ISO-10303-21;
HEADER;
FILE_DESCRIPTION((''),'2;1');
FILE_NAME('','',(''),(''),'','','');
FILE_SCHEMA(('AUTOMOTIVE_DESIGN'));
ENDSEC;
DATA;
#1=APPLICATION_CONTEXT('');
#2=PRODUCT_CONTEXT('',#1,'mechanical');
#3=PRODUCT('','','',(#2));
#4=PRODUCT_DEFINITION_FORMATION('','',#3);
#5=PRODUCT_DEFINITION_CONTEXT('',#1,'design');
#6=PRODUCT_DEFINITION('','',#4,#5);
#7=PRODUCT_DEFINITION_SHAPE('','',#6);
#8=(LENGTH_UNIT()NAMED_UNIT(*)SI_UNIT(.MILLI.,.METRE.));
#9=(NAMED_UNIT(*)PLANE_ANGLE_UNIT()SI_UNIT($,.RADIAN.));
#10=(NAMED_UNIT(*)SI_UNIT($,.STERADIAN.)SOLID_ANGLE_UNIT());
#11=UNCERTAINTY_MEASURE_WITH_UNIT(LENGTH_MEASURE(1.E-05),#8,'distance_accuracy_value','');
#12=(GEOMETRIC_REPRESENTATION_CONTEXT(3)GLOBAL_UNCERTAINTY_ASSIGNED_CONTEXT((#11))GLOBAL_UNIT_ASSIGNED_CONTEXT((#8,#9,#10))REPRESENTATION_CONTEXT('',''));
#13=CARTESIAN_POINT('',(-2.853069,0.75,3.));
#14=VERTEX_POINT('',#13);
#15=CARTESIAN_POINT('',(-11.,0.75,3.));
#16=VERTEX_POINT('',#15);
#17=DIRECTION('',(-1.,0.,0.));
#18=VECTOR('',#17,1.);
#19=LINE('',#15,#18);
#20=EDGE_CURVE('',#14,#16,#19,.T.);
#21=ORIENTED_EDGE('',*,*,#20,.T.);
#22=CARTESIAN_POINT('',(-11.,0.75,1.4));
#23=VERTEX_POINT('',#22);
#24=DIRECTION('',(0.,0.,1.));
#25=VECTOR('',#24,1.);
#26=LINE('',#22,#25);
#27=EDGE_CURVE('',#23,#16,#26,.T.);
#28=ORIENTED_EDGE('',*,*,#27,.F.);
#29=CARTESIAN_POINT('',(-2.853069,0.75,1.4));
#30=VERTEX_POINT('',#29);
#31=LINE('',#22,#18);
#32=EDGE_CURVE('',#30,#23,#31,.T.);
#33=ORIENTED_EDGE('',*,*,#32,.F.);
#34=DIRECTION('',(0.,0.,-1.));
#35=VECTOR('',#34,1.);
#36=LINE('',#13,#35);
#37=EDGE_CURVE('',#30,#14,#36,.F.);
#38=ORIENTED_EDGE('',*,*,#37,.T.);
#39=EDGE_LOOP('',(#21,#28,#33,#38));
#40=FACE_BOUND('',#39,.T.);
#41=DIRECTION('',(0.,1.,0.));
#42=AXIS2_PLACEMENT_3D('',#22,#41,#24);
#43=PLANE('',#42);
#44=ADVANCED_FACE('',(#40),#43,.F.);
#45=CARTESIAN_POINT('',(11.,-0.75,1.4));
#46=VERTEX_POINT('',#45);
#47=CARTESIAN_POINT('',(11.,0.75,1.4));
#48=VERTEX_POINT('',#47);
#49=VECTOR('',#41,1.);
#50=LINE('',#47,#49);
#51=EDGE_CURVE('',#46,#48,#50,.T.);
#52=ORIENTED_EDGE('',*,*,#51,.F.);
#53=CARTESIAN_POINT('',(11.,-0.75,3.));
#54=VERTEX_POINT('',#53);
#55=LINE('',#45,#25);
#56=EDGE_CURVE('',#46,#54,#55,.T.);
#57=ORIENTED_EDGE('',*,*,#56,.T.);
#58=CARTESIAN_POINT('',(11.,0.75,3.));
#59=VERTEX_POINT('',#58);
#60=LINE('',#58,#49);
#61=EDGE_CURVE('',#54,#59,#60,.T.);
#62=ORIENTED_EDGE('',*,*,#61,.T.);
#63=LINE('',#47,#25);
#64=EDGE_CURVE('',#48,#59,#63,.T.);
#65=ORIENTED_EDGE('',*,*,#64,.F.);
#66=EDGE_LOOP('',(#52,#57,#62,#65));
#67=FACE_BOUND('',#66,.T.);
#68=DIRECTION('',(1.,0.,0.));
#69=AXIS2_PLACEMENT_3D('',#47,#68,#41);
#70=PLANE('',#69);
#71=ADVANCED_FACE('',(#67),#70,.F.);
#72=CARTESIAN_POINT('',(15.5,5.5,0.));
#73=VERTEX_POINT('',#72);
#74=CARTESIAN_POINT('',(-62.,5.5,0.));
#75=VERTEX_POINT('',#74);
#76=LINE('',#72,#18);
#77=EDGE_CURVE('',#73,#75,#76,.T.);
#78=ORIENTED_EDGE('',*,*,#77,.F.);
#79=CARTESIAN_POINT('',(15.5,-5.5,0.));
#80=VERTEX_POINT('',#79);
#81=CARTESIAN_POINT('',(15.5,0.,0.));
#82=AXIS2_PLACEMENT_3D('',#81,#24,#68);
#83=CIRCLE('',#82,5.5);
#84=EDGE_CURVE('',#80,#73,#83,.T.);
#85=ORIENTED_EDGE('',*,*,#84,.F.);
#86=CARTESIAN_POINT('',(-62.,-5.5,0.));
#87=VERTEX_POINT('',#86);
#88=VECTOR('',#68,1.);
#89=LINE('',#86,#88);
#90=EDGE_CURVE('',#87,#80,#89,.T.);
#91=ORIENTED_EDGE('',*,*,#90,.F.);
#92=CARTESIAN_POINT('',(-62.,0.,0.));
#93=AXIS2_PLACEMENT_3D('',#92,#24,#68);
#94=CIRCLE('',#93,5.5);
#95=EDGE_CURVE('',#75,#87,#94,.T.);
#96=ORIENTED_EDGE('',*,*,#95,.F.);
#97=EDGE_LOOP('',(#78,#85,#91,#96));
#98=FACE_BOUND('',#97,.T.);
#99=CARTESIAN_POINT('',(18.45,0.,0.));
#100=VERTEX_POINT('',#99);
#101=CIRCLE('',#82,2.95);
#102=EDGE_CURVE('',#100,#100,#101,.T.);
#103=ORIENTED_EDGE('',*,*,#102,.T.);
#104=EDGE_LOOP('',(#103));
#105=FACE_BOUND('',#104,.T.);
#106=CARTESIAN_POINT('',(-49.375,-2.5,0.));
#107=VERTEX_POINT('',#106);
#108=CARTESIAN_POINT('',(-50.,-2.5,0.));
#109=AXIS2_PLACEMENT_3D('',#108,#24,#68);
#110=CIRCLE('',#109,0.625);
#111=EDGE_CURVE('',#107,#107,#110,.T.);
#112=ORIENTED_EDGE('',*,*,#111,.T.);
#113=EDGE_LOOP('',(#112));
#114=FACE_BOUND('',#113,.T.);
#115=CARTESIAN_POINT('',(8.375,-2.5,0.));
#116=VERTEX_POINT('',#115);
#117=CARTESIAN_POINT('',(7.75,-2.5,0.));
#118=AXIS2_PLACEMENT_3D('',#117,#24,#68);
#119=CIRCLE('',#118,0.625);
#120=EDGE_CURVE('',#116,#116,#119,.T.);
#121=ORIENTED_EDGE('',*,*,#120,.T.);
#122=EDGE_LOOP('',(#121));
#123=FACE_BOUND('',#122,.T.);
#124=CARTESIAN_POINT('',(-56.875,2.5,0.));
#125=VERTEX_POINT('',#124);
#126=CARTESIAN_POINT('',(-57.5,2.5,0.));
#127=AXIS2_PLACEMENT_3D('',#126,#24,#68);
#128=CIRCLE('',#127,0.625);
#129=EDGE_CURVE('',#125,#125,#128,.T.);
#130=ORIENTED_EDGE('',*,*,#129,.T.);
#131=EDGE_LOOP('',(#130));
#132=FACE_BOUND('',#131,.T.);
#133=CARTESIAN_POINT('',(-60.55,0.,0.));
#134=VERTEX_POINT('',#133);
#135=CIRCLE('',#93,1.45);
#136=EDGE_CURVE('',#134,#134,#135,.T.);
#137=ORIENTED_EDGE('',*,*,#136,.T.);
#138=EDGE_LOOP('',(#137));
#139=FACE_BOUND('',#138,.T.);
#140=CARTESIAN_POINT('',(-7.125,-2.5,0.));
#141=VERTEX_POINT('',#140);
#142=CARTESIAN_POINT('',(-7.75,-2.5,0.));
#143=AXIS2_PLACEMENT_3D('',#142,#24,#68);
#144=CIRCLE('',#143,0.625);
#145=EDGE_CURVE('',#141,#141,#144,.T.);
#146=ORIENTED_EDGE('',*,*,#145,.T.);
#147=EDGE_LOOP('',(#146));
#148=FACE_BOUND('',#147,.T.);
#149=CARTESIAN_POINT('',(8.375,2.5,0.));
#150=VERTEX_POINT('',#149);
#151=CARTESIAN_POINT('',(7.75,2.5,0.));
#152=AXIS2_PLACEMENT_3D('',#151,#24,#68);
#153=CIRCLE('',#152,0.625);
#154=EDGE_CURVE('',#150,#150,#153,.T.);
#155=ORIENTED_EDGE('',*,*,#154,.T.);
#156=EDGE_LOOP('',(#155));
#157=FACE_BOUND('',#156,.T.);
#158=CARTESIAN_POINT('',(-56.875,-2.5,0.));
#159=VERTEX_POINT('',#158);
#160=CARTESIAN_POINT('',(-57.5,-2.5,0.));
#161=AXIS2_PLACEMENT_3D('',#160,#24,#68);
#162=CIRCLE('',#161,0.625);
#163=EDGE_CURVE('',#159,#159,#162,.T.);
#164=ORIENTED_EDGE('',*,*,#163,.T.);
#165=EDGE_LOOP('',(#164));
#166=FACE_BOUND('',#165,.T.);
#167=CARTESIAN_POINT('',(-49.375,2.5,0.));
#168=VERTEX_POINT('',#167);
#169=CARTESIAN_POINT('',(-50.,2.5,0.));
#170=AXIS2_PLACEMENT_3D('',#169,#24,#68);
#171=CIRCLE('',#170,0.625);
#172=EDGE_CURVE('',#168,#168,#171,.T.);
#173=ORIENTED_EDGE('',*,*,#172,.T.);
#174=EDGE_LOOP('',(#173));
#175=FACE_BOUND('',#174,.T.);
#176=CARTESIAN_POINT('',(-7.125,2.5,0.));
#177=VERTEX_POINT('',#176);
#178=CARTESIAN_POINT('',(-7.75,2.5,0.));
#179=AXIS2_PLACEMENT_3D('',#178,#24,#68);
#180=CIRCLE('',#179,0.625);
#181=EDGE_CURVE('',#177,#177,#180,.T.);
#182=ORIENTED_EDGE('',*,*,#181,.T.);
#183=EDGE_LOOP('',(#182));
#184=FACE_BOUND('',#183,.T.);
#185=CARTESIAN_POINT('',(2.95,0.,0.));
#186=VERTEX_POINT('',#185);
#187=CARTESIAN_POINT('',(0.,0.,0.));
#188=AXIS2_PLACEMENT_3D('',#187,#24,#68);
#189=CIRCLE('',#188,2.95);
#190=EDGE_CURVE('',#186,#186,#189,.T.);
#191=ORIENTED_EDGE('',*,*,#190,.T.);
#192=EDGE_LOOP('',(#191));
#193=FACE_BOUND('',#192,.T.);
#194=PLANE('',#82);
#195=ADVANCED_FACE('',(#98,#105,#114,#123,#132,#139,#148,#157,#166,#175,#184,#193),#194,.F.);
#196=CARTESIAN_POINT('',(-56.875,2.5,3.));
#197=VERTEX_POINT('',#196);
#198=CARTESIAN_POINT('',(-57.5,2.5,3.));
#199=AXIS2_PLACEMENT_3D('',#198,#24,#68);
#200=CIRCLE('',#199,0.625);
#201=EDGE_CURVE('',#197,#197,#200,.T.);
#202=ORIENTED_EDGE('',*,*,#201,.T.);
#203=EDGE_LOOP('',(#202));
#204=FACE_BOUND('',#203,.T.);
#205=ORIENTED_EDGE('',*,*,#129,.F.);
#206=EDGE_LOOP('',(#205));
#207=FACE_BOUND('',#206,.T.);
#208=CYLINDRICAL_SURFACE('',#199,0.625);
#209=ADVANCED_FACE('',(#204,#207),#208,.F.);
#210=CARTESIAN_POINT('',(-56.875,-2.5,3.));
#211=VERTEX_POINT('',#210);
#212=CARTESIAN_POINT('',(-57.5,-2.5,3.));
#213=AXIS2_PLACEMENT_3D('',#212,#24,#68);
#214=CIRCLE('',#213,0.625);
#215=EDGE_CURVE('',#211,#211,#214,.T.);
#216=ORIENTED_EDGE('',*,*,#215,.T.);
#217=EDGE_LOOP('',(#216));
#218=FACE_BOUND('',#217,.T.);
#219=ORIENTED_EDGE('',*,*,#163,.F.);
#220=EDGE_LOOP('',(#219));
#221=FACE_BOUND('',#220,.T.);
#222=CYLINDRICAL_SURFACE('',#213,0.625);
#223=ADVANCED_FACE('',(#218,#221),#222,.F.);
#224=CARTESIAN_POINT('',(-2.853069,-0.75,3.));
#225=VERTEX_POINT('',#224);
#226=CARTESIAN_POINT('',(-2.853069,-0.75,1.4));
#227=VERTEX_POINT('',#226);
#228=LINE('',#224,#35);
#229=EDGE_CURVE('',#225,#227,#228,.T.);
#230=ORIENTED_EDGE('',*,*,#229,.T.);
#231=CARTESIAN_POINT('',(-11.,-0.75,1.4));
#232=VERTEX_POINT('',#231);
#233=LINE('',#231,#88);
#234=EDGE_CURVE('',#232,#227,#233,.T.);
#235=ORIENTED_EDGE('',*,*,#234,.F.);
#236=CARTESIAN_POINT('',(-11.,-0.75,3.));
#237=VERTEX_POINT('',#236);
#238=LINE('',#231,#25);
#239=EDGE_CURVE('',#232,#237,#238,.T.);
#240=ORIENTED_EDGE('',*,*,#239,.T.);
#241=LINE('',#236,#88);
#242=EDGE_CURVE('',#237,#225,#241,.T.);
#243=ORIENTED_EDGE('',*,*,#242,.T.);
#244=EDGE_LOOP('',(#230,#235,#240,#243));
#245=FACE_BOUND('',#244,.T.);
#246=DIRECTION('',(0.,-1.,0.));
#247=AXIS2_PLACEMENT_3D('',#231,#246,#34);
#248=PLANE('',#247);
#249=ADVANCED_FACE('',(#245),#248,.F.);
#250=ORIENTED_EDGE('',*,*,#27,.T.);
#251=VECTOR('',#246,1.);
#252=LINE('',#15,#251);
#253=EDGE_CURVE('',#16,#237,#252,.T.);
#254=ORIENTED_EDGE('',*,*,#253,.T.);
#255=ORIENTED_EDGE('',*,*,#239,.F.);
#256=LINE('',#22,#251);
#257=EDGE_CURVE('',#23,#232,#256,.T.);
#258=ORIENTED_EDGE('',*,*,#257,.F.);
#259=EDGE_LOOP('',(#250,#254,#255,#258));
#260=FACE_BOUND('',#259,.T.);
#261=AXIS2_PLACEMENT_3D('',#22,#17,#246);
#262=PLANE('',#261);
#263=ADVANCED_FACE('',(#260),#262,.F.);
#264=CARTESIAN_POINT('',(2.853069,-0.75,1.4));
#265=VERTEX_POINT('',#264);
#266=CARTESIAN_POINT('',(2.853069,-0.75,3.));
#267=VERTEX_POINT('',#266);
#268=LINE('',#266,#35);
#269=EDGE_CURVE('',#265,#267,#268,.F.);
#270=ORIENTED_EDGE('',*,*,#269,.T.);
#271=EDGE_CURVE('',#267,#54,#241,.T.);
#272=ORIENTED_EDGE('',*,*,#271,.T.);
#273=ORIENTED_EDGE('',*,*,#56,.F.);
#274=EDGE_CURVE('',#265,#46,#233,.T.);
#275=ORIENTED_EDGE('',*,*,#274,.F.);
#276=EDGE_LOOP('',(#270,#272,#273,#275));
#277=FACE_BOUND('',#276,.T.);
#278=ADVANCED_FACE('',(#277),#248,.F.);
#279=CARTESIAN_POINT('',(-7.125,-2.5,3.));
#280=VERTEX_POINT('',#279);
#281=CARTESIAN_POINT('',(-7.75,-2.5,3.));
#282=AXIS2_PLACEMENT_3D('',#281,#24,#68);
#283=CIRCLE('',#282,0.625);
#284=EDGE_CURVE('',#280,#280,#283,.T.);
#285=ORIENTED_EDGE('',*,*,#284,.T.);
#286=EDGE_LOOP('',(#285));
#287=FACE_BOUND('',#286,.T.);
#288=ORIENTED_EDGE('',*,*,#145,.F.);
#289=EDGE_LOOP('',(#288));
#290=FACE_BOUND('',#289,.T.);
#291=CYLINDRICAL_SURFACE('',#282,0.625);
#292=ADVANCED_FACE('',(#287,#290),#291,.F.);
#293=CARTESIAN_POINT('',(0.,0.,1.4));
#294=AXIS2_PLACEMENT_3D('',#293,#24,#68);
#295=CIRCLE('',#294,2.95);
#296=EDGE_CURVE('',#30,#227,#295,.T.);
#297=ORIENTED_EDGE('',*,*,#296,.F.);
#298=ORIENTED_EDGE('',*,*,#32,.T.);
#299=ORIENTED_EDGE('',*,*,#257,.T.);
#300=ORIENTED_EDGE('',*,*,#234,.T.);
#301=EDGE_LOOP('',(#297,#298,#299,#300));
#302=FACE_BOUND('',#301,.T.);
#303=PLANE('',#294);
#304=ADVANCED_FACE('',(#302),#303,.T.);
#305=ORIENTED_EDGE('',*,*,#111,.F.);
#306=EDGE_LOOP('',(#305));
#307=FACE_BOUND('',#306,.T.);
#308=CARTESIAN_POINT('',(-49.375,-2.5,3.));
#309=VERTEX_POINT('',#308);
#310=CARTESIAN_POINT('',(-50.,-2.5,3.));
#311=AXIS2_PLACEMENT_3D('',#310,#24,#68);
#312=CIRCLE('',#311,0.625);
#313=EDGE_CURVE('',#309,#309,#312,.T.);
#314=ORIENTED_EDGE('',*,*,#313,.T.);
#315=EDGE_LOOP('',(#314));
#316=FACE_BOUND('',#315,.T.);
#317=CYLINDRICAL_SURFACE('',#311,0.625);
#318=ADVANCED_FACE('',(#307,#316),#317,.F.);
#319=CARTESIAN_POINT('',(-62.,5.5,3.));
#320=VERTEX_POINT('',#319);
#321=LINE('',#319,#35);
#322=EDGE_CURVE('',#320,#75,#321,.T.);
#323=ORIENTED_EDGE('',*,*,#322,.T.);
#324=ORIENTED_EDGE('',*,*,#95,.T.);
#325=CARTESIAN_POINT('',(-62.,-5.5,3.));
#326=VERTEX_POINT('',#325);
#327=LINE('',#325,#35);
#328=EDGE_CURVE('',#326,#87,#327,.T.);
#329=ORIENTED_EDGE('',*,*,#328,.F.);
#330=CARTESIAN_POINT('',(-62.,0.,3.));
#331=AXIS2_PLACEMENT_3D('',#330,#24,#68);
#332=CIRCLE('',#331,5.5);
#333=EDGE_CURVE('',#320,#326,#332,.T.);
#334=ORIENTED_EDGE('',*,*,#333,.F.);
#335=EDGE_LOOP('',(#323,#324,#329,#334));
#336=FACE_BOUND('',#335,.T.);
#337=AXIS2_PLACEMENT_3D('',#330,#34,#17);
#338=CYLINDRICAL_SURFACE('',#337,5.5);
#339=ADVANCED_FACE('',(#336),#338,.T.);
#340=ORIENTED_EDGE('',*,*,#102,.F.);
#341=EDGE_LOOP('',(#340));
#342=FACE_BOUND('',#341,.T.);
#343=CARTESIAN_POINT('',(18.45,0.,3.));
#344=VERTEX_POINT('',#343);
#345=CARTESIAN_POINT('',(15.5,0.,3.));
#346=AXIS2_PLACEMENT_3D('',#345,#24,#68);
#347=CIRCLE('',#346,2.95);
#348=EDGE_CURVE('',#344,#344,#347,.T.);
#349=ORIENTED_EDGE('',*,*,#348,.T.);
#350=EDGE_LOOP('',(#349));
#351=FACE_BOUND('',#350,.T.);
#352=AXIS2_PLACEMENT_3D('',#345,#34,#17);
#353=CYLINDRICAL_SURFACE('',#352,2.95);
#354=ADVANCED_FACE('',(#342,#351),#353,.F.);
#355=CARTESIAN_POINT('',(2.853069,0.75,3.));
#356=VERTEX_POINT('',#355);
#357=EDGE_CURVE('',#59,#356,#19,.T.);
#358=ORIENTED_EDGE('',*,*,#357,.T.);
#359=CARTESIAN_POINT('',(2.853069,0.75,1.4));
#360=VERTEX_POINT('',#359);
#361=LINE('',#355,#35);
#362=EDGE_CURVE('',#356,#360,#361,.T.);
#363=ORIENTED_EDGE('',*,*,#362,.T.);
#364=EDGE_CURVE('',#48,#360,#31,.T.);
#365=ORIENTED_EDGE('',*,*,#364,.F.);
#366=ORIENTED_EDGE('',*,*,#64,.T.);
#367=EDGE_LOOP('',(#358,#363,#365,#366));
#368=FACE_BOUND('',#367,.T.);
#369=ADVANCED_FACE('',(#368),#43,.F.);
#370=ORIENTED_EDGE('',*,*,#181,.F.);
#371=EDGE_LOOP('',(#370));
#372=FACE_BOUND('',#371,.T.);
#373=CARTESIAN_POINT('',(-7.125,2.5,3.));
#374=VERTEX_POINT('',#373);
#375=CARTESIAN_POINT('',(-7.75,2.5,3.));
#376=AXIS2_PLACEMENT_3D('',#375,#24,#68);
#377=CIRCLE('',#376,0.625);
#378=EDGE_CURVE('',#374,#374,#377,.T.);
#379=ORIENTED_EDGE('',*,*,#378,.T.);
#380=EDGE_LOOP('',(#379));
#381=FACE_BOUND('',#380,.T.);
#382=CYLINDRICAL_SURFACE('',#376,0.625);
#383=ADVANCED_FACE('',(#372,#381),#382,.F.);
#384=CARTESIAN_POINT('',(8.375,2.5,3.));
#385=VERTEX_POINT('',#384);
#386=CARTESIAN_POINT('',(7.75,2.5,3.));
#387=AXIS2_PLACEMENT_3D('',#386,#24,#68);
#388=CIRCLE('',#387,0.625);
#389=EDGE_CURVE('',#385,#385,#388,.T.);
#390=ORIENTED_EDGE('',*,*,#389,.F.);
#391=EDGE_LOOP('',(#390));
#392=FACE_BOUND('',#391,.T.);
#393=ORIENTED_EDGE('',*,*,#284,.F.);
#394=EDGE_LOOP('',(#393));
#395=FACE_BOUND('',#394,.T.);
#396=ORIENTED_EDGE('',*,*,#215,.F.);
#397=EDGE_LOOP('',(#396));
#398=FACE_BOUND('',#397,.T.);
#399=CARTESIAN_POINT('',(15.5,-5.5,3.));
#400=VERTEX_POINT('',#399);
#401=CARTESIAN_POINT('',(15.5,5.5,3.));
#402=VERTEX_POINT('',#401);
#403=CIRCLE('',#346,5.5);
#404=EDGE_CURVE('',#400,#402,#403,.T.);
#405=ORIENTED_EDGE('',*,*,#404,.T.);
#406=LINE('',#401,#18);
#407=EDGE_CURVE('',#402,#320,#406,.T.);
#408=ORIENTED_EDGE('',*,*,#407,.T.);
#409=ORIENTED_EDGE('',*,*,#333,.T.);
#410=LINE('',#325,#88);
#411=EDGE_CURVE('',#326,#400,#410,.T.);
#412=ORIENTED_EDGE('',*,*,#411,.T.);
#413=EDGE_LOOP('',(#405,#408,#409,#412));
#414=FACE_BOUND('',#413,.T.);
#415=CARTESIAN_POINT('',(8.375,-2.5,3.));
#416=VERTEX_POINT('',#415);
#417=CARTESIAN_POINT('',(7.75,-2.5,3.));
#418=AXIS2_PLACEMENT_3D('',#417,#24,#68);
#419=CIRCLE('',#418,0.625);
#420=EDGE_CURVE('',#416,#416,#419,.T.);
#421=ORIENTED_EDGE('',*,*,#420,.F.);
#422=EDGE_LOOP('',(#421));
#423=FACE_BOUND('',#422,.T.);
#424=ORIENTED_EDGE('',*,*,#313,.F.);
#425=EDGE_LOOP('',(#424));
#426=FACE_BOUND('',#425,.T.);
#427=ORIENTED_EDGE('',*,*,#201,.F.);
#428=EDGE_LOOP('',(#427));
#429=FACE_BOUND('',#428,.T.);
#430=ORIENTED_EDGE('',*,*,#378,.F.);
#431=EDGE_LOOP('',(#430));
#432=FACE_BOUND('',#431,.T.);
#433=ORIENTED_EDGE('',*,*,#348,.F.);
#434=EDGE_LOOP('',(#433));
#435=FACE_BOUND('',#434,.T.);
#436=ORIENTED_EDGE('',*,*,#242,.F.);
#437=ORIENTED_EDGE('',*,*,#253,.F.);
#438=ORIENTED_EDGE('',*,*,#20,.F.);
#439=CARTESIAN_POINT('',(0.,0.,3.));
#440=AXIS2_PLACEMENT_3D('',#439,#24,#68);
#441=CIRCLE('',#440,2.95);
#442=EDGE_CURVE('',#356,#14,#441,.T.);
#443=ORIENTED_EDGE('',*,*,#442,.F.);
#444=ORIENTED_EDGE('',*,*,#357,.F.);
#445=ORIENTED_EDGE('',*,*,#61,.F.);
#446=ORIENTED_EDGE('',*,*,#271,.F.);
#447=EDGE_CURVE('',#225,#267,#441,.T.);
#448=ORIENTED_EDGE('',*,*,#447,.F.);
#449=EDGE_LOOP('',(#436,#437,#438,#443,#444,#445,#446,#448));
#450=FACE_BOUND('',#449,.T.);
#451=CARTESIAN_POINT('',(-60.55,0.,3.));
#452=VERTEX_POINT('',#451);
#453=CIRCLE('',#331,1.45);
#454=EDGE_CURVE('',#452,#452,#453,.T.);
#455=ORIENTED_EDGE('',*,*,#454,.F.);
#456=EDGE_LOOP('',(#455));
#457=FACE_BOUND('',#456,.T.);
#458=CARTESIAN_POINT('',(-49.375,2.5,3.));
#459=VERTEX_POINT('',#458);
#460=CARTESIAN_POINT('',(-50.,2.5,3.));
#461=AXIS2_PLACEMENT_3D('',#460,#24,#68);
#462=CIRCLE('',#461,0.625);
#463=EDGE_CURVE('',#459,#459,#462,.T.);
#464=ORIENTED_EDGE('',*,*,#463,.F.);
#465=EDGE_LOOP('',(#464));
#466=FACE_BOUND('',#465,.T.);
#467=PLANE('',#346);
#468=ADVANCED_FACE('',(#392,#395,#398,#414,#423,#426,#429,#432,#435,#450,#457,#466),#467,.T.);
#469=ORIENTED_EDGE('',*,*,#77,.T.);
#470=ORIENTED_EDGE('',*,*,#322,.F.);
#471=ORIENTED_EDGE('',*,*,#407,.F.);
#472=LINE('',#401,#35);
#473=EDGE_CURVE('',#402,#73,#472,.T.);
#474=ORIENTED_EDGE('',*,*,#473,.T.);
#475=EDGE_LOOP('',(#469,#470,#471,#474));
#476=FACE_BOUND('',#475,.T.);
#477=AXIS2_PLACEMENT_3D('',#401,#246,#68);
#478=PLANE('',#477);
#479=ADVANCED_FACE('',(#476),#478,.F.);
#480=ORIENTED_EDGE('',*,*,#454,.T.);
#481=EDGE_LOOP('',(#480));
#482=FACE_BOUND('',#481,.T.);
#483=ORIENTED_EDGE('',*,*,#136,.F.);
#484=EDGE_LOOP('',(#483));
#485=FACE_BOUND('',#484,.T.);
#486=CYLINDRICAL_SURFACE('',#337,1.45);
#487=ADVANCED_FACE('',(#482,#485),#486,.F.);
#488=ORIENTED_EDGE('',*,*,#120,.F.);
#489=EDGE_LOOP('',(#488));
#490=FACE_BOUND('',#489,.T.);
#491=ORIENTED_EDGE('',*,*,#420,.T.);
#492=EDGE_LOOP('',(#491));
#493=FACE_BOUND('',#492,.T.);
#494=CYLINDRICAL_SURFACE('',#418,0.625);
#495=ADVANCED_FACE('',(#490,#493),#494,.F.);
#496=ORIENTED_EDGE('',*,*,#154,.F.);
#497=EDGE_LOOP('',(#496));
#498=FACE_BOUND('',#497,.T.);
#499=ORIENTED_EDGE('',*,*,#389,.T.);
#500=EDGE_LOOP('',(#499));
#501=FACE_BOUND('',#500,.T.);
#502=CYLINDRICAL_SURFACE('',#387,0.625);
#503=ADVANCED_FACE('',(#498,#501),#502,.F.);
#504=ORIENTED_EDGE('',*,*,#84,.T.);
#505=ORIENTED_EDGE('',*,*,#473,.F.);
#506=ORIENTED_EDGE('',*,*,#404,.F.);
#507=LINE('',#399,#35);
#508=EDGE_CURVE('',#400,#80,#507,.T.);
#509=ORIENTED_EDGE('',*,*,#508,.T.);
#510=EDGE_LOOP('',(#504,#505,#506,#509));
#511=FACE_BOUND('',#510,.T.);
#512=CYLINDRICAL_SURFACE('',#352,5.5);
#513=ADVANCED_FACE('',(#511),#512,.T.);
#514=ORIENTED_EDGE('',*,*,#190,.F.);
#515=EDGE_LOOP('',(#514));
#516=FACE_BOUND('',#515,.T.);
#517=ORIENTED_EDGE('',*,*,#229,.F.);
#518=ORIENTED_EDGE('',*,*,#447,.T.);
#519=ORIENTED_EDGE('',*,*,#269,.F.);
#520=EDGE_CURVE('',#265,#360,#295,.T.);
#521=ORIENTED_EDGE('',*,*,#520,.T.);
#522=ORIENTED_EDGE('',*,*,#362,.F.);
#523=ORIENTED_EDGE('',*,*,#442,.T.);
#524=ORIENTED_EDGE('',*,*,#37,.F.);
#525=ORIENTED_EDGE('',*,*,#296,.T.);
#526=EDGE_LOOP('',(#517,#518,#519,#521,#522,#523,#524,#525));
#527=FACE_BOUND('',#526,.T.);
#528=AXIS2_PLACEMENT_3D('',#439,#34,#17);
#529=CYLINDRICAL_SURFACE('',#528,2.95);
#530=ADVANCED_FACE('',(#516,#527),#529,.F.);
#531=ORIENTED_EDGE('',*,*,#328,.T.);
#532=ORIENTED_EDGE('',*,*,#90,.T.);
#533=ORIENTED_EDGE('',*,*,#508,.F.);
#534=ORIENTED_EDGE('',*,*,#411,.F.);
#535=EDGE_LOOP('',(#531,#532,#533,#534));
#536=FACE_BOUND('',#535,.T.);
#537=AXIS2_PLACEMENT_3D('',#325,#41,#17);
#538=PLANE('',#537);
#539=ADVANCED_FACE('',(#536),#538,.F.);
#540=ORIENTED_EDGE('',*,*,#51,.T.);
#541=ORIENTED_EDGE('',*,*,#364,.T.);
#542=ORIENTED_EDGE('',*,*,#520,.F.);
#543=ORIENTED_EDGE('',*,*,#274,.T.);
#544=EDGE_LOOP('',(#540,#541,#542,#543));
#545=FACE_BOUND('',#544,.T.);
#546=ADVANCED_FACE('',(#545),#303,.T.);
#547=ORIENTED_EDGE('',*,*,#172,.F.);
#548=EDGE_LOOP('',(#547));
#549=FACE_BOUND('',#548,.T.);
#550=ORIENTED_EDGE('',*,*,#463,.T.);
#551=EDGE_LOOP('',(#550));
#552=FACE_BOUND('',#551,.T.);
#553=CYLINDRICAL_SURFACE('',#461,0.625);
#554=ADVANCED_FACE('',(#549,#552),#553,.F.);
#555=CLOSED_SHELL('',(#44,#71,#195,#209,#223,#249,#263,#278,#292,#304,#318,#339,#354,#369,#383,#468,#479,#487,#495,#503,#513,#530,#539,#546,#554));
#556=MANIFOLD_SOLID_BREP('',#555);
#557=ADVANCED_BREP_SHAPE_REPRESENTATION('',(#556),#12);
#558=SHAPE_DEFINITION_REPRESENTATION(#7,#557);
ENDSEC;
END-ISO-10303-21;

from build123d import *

# Parameters (mm, degrees)
SKETCH1_R               = 1.45
SKETCH1_R_2             = 2.95
BOSS_EXTRUDE1_DEPTH     = 3
TROU_TARAUD_M1_61_D     = 1.25
ESQUISSE3_W             = 22
ESQUISSE3_H             = 1.5
ENL_V_MAT_EXTRU_1_DEPTH = 1.6


with BuildPart() as part:
    # Sketch1 → Boss-Extrude1 (new body)
    with BuildSketch(Plane.XY):
        with BuildLine():
            Line((15.5, 5.5), (-62, 5.5))
            ThreePointArc((-62, 5.5), (-67.5, 0), (-62, -5.5))
            Line((-62, -5.5), (15.5, -5.5))
            ThreePointArc((15.5, -5.5), (21, 0), (15.5, 5.5))
        make_face()
        with Locations((-62, 0)):
            Circle(SKETCH1_R, mode=Mode.SUBTRACT)
        Circle(SKETCH1_R_2, mode=Mode.SUBTRACT)
        with Locations((15.5, 0)):
            Circle(SKETCH1_R_2, mode=Mode.SUBTRACT)
    extrude(amount=BOSS_EXTRUDE1_DEPTH)

    # Trou taraudé M1.61 (through all)
    with Locations(Plane.XY.offset(3)):
        with Locations((7.75, 2.5), (-7.75, 2.5), (-57.5, 2.5), (-50, 2.5)):
            trou_taraud_m1_61 = Hole(TROU_TARAUD_M1_61_D / 2)

    # Mirror1: Trou taraudé M1.61 across plane
    add(trou_taraud_m1_61.mirror(Plane.ZX), mode=Mode.SUBTRACT)

    # Esquisse3 → Enlèv. mat.-Extru.1 (cut)
    with BuildSketch(Plane.XY.offset(3)):
        Rectangle(ESQUISSE3_W, ESQUISSE3_H)
    extrude(amount=-ENL_V_MAT_EXTRU_1_DEPTH, mode=Mode.SUBTRACT)


solid = part.part
